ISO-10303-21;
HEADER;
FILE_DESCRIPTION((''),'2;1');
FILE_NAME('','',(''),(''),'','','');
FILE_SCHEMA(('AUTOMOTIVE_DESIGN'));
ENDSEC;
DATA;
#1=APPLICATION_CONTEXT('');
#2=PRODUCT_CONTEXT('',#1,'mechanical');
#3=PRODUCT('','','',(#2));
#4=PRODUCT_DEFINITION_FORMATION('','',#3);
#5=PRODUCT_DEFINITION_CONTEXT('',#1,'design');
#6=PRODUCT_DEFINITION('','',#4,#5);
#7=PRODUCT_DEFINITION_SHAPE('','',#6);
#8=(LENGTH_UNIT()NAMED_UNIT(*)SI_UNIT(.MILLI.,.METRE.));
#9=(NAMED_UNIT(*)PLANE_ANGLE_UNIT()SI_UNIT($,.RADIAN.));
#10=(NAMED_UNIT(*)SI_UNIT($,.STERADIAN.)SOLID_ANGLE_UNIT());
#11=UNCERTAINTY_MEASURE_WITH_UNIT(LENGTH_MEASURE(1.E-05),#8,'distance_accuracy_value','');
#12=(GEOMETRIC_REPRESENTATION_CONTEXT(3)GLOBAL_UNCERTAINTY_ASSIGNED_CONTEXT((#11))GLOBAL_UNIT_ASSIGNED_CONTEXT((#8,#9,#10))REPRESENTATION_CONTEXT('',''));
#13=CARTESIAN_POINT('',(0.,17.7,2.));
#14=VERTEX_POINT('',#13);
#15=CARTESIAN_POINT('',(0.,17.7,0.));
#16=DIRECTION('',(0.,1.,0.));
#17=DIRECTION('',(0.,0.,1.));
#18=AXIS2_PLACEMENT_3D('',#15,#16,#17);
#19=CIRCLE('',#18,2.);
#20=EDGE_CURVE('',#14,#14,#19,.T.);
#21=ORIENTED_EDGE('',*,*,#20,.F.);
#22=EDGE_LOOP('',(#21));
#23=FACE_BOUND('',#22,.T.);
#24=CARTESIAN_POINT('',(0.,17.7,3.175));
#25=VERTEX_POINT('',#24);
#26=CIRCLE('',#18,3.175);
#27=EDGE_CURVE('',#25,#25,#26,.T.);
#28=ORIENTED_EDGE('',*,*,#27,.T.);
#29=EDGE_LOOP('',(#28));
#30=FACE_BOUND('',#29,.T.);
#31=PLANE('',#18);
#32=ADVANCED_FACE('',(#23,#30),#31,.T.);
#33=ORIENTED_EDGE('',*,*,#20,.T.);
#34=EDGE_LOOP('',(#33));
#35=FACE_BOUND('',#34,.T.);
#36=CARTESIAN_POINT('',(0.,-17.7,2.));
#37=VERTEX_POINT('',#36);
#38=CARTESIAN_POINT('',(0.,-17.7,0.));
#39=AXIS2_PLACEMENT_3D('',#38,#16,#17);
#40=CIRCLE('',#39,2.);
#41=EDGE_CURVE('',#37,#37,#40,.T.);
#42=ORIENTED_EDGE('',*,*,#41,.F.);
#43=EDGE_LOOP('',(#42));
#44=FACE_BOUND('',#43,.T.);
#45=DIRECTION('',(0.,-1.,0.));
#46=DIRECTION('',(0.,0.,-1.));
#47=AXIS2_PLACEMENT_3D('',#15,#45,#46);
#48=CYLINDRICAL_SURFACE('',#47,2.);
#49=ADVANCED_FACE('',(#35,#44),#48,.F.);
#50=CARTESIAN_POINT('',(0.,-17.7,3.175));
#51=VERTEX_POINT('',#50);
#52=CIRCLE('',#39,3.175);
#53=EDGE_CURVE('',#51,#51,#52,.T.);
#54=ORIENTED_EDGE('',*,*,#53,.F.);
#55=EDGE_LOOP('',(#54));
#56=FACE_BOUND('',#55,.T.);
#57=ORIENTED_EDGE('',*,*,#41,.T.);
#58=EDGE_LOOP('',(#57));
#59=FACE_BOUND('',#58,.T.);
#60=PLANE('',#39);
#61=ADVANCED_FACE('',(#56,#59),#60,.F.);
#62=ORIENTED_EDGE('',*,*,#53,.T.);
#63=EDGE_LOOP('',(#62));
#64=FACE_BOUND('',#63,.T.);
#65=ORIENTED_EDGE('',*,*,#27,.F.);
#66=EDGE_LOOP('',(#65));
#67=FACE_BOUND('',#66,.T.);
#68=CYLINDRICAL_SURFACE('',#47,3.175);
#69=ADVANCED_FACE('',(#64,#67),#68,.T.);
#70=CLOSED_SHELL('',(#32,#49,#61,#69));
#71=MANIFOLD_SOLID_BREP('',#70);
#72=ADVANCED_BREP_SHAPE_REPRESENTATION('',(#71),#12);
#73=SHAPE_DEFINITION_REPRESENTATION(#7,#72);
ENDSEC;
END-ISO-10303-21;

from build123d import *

# Parameters (mm, degrees)
SKETCH1_R           = 3.175
SKETCH1_R_2         = 2
BOSS_EXTRUDE1_DEPTH = 17.7


with BuildPart() as part:
    # Sketch1 → Boss-Extrude1 (new, symmetric)
    with BuildSketch(Plane(origin=(0, 0, 0), x_dir=(1, 0, 0), z_dir=(0, 1, 0))):
        with Locations(Location((0, 0, 0), (0, 0, 270))):
            Circle(SKETCH1_R)
        with Locations(Location((0, 0, 0), (0, 0, 270))):
            Circle(SKETCH1_R_2, mode=Mode.SUBTRACT)
    extrude(amount=BOSS_EXTRUDE1_DEPTH, both=True)


solid = part.part
